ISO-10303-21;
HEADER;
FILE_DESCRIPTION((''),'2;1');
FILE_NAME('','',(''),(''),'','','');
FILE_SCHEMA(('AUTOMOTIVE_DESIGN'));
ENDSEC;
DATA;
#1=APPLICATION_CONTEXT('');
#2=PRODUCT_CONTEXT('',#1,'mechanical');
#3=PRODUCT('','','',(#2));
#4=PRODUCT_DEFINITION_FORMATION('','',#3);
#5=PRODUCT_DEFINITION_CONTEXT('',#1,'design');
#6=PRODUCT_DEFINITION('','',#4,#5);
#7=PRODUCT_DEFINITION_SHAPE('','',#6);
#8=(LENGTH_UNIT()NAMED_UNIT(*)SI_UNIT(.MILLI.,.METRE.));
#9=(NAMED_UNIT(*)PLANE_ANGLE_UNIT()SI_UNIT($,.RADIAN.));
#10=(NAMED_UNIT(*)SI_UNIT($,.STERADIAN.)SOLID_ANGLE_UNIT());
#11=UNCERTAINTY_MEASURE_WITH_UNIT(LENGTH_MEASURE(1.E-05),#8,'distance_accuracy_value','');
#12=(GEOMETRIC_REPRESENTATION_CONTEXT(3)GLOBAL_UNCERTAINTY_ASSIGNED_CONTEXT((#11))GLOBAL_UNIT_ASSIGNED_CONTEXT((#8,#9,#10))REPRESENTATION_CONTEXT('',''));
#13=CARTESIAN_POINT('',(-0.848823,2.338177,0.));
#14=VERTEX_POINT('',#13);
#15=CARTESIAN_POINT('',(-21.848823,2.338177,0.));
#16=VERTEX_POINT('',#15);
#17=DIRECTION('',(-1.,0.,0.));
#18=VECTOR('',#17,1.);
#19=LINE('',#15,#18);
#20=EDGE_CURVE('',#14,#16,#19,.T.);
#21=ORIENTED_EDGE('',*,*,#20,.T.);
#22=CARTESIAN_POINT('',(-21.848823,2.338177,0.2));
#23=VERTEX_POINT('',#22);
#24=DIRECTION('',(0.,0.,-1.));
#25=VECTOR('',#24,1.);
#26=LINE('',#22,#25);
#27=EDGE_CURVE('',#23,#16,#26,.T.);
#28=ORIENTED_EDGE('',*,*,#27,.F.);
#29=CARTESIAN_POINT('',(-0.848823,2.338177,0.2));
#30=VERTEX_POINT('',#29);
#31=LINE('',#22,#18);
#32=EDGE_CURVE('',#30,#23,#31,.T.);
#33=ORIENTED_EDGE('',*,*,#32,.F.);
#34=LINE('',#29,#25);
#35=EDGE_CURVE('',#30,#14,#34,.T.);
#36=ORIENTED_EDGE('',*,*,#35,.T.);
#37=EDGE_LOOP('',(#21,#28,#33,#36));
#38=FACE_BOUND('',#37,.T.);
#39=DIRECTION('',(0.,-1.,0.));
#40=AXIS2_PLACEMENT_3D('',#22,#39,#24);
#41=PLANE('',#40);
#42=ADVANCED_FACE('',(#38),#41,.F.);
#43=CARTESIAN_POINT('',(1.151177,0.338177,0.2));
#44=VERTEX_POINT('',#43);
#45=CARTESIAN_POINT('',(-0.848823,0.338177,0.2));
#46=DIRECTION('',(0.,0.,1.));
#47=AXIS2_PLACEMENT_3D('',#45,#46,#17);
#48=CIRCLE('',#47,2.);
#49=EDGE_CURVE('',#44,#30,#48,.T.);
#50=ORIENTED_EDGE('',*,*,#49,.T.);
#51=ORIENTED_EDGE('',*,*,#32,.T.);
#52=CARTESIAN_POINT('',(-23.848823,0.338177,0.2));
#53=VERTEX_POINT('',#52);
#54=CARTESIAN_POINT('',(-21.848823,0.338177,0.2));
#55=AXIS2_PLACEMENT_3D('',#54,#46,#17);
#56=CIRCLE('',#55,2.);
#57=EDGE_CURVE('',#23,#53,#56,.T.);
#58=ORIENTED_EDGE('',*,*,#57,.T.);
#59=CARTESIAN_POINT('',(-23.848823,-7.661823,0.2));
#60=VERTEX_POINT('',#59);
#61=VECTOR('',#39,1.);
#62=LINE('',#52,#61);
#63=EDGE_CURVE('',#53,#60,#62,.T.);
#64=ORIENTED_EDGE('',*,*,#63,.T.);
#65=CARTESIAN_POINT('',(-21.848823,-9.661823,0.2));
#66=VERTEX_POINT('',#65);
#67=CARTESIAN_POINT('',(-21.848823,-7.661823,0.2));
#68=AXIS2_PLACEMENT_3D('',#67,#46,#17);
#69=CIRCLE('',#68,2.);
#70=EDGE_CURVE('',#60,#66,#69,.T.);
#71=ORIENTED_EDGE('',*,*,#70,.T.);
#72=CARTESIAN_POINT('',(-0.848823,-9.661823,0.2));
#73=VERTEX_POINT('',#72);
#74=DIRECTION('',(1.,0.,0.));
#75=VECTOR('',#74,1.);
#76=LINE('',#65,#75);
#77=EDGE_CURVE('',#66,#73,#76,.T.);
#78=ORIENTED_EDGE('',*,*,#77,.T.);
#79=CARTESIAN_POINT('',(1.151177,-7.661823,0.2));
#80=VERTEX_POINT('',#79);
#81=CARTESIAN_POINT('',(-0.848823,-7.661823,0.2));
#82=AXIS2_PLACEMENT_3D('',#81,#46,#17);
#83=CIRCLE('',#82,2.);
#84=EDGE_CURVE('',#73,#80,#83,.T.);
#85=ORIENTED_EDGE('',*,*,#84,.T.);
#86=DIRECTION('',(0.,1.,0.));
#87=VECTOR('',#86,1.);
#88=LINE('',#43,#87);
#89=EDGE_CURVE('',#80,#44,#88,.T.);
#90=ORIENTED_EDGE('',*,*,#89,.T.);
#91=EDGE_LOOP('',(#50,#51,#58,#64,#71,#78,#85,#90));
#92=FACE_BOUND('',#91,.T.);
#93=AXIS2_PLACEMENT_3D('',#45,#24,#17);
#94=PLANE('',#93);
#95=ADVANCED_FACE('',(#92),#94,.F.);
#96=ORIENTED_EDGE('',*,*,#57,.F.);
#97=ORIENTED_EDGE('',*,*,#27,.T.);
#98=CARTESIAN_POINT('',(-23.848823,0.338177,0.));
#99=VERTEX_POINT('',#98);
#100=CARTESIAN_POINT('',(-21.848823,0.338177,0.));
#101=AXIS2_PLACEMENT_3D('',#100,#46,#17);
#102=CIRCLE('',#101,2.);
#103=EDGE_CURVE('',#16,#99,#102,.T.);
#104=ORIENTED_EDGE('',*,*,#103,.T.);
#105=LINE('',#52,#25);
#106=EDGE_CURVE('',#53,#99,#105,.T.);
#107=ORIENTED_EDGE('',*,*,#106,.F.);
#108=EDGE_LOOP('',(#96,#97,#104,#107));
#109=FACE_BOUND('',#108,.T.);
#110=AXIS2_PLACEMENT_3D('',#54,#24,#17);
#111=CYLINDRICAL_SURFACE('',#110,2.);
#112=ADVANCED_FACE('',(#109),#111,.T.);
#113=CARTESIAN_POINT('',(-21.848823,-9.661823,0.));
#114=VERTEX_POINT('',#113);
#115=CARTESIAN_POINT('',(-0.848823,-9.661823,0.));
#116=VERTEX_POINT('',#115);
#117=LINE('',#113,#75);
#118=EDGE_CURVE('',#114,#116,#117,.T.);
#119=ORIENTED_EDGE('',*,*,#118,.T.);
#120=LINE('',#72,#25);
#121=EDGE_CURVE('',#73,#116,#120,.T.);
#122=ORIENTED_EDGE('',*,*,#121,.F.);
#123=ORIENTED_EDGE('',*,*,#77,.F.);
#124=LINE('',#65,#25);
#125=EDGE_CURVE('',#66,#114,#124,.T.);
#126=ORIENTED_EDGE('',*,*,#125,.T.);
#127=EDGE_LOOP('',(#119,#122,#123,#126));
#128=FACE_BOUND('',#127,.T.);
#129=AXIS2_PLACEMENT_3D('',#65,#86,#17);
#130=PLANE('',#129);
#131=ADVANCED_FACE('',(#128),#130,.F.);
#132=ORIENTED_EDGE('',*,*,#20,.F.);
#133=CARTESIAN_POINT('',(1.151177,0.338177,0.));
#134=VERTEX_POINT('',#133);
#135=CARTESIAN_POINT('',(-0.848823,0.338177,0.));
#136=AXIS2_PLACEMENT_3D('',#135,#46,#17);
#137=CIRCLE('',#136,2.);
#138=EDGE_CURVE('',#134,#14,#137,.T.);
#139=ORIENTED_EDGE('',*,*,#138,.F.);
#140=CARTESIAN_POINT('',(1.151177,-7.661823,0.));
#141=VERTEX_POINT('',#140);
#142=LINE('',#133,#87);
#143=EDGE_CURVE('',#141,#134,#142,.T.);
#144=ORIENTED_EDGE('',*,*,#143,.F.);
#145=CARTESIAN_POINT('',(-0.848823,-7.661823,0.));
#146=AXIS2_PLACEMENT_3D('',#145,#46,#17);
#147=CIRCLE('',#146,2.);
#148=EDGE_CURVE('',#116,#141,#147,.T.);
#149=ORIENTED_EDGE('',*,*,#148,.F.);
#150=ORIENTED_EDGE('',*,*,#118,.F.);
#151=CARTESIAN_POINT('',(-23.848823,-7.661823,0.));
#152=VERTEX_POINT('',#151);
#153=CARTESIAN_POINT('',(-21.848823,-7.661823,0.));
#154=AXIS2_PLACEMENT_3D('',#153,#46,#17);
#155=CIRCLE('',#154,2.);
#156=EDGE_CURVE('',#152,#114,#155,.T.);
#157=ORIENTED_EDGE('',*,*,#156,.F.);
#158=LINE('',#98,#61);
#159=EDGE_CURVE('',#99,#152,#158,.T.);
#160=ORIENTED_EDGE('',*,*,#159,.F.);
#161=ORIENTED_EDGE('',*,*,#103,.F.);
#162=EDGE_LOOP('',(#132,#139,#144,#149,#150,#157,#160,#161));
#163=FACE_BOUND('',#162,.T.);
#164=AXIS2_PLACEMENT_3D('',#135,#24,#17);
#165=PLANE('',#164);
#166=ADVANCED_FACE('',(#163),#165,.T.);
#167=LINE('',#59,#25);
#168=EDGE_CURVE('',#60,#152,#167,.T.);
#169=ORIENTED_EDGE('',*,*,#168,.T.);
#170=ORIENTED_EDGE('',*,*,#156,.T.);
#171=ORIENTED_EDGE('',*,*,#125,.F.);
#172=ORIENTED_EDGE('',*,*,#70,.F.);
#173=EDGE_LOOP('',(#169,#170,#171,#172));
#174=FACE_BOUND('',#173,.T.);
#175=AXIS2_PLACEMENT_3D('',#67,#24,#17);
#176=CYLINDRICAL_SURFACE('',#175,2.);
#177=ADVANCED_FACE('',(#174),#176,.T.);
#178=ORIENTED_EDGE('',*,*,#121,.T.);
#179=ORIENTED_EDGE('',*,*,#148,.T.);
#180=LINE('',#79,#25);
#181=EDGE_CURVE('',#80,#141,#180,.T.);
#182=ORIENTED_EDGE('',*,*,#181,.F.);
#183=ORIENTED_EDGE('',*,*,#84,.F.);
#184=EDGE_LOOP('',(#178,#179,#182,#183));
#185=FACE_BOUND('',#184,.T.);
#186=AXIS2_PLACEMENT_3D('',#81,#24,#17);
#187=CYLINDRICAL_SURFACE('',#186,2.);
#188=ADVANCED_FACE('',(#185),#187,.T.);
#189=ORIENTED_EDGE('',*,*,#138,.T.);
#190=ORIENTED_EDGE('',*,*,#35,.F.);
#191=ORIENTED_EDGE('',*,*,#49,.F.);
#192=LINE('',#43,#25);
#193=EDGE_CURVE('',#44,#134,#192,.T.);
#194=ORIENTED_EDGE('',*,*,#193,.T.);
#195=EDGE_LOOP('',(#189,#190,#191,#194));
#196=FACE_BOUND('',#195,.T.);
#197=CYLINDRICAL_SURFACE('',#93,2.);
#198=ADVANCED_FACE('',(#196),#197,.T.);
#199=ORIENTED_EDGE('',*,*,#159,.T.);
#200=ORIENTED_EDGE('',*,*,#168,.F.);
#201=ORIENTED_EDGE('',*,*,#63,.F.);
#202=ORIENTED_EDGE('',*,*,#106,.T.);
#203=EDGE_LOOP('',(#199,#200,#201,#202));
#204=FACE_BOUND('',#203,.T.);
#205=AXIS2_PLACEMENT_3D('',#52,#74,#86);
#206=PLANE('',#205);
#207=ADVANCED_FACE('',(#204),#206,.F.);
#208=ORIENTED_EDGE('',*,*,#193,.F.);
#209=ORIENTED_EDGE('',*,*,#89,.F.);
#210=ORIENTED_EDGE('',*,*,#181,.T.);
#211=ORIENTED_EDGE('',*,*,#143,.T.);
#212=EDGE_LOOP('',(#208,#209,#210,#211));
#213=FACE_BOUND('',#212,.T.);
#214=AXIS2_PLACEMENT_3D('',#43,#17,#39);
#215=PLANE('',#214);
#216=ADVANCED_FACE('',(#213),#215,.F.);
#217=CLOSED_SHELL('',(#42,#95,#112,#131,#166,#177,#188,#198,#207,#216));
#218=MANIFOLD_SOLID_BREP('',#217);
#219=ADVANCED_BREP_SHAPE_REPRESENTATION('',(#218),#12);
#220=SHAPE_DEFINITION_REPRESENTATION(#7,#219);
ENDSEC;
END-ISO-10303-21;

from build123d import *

# Parameters (mm, degrees)
BOSS_EXTRU_1_DEPTH = 0.2


with BuildPart() as part:
    # Esquisse1 → Boss.-Extru.1 (new body)
    with BuildSketch(Plane.XY):
        with BuildLine():
            Line((-21.848822837, 2.338176796), (-0.848822837, 2.338176796))
            ThreePointArc((-0.848822837, 2.338176796), (0.565390725, 1.752390358), (1.151177163, 0.338176796))
            Line((1.151177163, 0.338176796), (1.151177163, -7.661823204))
            ThreePointArc((1.151177163, -7.661823204), (0.565390725, -9.076036767), (-0.848822837, -9.661823204))
            Line((-0.848822837, -9.661823204), (-21.848822837, -9.661823204))
            ThreePointArc((-21.848822837, -9.661823204), (-23.263036399, -9.076036767), (-23.848822837, -7.661823204))
            Line((-23.848822837, -7.661823204), (-23.848822837, 0.338176796))
            ThreePointArc((-23.848822837, 0.338176796), (-23.263036399, 1.752390358), (-21.848822837, 2.338176796))
        make_face()
    extrude(amount=BOSS_EXTRU_1_DEPTH)


solid = part.part
